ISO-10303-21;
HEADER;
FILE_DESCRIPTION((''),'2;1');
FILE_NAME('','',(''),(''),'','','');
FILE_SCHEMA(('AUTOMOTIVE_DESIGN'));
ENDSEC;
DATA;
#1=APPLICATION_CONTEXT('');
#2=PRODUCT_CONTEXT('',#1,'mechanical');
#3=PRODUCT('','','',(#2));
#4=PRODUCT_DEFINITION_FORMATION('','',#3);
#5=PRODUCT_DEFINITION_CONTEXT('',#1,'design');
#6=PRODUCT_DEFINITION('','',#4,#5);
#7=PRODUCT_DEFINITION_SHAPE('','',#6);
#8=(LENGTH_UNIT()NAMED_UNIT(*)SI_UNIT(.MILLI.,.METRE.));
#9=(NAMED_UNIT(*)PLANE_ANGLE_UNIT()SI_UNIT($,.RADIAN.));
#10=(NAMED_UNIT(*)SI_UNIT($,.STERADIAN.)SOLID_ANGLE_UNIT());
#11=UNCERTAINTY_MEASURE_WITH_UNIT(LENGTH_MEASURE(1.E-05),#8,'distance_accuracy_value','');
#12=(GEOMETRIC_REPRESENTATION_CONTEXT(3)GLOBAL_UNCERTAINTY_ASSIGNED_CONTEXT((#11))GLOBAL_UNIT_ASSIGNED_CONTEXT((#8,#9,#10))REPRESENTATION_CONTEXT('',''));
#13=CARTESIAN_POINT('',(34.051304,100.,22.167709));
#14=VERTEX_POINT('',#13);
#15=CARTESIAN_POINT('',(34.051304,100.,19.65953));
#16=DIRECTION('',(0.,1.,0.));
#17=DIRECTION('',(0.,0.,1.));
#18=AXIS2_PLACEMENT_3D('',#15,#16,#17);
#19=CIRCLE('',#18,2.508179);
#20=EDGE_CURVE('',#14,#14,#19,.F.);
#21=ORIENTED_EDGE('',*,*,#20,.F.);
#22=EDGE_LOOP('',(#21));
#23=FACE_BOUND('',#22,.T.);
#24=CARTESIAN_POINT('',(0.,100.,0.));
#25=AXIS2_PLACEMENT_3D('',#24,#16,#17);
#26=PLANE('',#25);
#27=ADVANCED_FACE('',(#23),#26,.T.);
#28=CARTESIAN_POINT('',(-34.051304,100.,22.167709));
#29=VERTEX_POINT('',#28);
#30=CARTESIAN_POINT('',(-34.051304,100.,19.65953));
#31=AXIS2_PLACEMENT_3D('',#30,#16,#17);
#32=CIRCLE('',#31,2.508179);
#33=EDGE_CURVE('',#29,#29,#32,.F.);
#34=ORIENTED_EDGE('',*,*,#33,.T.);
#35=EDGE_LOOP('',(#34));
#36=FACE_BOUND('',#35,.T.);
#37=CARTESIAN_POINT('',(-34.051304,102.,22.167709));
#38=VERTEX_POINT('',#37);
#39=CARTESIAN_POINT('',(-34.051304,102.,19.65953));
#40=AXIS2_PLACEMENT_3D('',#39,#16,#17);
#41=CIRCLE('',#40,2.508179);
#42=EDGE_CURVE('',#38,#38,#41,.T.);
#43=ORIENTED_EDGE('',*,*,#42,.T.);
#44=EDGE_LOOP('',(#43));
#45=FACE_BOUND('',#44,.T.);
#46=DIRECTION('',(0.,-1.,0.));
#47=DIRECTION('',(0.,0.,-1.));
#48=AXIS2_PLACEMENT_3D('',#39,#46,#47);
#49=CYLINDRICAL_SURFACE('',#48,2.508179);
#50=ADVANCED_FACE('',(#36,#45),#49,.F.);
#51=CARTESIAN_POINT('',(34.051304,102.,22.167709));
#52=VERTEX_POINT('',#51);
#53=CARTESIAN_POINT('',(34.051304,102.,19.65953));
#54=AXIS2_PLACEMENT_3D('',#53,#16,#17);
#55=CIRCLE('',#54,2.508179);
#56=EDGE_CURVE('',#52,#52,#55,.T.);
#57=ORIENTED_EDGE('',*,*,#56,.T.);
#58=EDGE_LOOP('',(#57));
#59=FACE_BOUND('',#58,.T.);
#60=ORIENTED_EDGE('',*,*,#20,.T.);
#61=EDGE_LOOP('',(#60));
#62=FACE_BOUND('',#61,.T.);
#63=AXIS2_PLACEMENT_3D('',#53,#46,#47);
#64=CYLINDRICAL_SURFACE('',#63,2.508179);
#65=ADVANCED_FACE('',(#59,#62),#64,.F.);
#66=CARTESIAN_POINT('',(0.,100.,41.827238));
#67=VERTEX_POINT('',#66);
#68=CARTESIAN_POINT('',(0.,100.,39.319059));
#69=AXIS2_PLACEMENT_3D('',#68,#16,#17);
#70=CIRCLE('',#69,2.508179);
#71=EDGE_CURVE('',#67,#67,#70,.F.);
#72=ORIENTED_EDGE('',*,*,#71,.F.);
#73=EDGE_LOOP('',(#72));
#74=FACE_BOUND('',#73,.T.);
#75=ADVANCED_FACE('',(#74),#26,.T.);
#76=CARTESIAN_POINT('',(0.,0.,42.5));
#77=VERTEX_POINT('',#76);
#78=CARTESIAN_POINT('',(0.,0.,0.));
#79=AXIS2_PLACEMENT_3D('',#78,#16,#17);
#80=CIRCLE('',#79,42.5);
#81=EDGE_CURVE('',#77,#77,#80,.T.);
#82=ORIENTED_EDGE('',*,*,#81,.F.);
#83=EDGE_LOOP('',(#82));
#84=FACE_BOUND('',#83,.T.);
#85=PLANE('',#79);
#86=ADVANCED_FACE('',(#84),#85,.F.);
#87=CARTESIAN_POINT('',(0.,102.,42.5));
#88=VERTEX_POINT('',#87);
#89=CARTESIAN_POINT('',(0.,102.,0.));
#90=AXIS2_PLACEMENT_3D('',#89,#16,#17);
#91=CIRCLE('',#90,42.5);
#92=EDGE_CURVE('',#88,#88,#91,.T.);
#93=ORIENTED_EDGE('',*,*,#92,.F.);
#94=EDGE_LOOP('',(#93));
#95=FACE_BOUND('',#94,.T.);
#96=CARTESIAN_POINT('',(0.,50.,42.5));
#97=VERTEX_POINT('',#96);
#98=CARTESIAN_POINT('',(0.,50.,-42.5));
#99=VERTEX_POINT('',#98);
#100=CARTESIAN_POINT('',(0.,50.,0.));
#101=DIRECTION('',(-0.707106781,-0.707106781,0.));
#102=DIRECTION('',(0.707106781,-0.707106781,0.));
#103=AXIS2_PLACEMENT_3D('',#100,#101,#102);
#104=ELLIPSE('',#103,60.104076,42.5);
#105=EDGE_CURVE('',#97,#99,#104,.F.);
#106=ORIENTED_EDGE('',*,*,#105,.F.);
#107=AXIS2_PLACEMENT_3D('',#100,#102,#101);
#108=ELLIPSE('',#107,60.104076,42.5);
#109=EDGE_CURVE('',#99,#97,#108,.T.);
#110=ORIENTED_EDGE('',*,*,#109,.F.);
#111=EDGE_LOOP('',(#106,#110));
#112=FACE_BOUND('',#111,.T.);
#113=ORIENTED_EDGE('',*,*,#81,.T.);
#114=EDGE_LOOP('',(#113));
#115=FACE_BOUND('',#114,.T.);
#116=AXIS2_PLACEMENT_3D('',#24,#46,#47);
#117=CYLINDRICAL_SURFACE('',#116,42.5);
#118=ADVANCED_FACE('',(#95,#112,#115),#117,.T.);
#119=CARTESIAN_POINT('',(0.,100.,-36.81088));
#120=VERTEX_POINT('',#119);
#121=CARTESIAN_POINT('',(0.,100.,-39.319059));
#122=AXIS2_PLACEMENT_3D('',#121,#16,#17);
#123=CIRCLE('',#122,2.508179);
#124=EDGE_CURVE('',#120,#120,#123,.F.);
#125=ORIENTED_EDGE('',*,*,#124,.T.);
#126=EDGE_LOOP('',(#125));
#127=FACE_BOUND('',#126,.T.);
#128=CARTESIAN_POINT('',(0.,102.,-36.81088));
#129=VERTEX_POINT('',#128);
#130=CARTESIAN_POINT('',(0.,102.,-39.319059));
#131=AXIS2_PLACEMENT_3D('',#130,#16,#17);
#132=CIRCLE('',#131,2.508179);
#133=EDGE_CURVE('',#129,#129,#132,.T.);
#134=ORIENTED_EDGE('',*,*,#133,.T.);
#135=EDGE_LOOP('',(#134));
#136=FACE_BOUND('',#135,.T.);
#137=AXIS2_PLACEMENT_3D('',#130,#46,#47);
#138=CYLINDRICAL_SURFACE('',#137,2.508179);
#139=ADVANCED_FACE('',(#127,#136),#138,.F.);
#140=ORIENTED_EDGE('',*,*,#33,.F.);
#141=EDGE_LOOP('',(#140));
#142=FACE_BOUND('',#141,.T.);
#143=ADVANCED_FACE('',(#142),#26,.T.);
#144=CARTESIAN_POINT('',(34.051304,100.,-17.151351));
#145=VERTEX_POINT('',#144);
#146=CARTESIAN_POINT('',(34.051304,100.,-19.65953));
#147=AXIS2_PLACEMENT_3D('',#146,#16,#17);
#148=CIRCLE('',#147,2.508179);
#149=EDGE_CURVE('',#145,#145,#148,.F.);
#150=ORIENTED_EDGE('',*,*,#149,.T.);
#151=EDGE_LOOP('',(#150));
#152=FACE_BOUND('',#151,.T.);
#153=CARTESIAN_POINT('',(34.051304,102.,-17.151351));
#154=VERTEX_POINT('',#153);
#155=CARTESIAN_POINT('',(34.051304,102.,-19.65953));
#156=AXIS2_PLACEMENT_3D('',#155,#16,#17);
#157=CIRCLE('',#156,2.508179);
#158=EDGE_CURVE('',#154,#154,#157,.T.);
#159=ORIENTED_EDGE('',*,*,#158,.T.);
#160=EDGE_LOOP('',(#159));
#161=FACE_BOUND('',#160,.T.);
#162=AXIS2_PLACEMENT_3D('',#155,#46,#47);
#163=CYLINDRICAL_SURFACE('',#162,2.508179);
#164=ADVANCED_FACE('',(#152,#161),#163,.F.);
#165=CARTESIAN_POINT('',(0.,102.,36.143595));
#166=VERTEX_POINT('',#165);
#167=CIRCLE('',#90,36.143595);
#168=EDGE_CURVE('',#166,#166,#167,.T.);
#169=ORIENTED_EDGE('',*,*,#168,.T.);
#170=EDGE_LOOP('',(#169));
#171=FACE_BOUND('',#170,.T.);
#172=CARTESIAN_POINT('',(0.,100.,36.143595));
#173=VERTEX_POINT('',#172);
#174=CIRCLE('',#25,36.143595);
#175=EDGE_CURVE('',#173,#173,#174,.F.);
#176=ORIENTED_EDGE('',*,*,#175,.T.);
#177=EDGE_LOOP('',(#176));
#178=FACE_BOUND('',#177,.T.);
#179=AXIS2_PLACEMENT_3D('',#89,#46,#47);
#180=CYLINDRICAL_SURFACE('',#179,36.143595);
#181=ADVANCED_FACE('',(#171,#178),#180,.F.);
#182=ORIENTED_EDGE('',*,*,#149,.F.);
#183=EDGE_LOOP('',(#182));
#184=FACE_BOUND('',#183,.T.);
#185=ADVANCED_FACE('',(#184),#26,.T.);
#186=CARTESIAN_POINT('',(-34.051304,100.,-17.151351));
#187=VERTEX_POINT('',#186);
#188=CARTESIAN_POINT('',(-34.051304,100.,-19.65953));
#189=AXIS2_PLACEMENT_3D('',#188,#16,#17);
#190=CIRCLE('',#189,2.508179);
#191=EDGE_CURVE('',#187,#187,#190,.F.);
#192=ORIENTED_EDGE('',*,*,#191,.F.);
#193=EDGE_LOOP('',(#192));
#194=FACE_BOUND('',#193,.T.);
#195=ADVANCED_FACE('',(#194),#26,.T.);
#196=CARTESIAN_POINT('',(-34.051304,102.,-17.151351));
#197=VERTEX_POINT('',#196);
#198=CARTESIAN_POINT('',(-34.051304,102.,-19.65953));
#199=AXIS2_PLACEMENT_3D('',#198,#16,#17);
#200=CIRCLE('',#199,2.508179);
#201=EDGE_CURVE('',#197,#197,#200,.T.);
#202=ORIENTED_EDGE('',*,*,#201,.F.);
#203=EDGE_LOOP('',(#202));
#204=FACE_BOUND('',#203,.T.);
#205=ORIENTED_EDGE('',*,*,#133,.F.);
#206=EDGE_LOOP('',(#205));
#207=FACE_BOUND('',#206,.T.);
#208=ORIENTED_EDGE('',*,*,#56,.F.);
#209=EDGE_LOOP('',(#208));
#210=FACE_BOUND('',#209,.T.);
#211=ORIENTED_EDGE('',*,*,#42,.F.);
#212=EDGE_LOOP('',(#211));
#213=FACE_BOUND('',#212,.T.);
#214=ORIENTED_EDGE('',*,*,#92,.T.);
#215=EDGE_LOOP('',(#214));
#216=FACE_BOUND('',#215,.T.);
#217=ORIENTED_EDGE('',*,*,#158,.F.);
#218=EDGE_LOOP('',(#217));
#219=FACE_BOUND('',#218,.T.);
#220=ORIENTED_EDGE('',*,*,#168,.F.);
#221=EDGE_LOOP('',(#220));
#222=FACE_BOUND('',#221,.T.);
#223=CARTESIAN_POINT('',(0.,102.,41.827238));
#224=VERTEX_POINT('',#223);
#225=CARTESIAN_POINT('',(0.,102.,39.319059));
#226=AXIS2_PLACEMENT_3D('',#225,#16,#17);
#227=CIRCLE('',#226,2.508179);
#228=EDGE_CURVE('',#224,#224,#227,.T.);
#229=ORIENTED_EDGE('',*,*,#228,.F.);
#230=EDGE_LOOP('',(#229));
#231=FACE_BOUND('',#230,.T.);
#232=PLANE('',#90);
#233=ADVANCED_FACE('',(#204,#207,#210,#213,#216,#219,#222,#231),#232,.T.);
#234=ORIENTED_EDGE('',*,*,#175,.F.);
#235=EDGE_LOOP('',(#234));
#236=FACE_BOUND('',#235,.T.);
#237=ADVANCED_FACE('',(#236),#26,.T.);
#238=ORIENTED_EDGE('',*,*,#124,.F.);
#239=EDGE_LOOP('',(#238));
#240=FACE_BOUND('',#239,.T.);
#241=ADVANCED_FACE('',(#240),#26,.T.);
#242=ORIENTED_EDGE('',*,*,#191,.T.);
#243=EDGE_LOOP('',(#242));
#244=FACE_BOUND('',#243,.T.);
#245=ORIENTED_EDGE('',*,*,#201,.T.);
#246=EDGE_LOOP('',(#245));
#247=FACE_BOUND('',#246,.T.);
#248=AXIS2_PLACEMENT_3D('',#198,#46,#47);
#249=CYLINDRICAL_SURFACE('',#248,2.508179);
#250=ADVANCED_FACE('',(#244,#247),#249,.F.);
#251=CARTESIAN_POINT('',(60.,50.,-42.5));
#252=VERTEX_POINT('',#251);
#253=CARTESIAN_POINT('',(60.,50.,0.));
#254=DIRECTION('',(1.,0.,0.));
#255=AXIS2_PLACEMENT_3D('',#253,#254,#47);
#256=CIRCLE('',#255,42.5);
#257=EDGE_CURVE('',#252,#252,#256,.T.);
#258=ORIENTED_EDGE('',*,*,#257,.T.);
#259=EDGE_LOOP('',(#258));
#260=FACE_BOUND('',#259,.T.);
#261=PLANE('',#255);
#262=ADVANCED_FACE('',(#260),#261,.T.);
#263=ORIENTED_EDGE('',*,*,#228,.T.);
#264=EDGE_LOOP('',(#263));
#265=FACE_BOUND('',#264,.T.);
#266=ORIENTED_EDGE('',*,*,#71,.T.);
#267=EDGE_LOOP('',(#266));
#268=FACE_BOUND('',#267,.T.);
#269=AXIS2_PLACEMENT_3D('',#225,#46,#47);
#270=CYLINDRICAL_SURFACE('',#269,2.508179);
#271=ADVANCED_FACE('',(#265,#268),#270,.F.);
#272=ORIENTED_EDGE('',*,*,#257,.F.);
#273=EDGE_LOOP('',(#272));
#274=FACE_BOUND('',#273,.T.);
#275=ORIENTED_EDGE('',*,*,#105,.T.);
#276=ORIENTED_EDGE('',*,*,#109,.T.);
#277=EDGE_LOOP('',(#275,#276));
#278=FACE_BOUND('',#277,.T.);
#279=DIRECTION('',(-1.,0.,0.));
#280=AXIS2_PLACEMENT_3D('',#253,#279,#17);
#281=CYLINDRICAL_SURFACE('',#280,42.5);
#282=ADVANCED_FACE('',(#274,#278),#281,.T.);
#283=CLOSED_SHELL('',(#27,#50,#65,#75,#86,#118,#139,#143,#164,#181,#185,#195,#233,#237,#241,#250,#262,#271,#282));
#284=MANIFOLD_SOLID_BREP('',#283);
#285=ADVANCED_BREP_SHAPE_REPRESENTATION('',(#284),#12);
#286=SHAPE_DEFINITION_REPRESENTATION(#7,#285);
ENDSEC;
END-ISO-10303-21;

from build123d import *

# Parameters (mm, degrees)
CROQUIS1_R              = 42.5
SALIENTE_EXTRUIR1_DEPTH = 100
CROQUIS2_R              = 42.5
SALIENTE_EXTRUIR2_DEPTH = 60
CROQUIS3_R              = 42.5
CROQUIS3_R_2            = 36.143595246
CROQUIS3_R_3            = 2.508178933
SALIENTE_EXTRUIR3_DEPTH = 2


with BuildPart() as part:
    # Croquis1 → Saliente-Extruir1 (new body)
    with BuildSketch(Plane(origin=(0, 0, 0), x_dir=(1, 0, 0), z_dir=(0, 1, 0))):
        with Locations(Location((0, 0, 0), (0, 0, 270))):
            Circle(CROQUIS1_R)
    extrude(amount=SALIENTE_EXTRUIR1_DEPTH)

    # Croquis2 → Saliente-Extruir2 (add)
    with BuildSketch(Plane(origin=(0, 0, 0), x_dir=(0, 0, -1), z_dir=(1, 0, 0))):
        with Locations((0, 50)):
            Circle(CROQUIS2_R)
    extrude(amount=SALIENTE_EXTRUIR2_DEPTH)

    # Croquis3 → Saliente-Extruir3 (add)
    with BuildSketch(Plane(origin=(0, 100, 0), x_dir=(1, 0, 0), z_dir=(0, 1, 0))):
        with Locations(Location((0, 0, 0), (0, 0, 270))):
            Circle(CROQUIS3_R)
        with Locations(Location((0, 0, 0), (0, 0, 270))):
            Circle(CROQUIS3_R_2, mode=Mode.SUBTRACT)
        with Locations(Location((0, 39.319059372, 0), (0, 0, 270))):
            Circle(CROQUIS3_R_3, mode=Mode.SUBTRACT)
        with Locations(Location((34.051304269, 19.659529686, 0), (0, 0, 270))):
            Circle(CROQUIS3_R_3, mode=Mode.SUBTRACT)
        with Locations(Location((34.051304269, -19.659529686, 0), (0, 0, 270))):
            Circle(CROQUIS3_R_3, mode=Mode.SUBTRACT)
        with Locations(Location((0, -39.319059372, 0), (0, 0, 270))):
            Circle(CROQUIS3_R_3, mode=Mode.SUBTRACT)
        with Locations(Location((-34.051304269, -19.659529686, 0), (0, 0, 270))):
            Circle(CROQUIS3_R_3, mode=Mode.SUBTRACT)
        with Locations(Location((-34.051304269, 19.659529686, 0), (0, 0, 270))):
            Circle(CROQUIS3_R_3, mode=Mode.SUBTRACT)
    extrude(amount=SALIENTE_EXTRUIR3_DEPTH)


solid = part.part
